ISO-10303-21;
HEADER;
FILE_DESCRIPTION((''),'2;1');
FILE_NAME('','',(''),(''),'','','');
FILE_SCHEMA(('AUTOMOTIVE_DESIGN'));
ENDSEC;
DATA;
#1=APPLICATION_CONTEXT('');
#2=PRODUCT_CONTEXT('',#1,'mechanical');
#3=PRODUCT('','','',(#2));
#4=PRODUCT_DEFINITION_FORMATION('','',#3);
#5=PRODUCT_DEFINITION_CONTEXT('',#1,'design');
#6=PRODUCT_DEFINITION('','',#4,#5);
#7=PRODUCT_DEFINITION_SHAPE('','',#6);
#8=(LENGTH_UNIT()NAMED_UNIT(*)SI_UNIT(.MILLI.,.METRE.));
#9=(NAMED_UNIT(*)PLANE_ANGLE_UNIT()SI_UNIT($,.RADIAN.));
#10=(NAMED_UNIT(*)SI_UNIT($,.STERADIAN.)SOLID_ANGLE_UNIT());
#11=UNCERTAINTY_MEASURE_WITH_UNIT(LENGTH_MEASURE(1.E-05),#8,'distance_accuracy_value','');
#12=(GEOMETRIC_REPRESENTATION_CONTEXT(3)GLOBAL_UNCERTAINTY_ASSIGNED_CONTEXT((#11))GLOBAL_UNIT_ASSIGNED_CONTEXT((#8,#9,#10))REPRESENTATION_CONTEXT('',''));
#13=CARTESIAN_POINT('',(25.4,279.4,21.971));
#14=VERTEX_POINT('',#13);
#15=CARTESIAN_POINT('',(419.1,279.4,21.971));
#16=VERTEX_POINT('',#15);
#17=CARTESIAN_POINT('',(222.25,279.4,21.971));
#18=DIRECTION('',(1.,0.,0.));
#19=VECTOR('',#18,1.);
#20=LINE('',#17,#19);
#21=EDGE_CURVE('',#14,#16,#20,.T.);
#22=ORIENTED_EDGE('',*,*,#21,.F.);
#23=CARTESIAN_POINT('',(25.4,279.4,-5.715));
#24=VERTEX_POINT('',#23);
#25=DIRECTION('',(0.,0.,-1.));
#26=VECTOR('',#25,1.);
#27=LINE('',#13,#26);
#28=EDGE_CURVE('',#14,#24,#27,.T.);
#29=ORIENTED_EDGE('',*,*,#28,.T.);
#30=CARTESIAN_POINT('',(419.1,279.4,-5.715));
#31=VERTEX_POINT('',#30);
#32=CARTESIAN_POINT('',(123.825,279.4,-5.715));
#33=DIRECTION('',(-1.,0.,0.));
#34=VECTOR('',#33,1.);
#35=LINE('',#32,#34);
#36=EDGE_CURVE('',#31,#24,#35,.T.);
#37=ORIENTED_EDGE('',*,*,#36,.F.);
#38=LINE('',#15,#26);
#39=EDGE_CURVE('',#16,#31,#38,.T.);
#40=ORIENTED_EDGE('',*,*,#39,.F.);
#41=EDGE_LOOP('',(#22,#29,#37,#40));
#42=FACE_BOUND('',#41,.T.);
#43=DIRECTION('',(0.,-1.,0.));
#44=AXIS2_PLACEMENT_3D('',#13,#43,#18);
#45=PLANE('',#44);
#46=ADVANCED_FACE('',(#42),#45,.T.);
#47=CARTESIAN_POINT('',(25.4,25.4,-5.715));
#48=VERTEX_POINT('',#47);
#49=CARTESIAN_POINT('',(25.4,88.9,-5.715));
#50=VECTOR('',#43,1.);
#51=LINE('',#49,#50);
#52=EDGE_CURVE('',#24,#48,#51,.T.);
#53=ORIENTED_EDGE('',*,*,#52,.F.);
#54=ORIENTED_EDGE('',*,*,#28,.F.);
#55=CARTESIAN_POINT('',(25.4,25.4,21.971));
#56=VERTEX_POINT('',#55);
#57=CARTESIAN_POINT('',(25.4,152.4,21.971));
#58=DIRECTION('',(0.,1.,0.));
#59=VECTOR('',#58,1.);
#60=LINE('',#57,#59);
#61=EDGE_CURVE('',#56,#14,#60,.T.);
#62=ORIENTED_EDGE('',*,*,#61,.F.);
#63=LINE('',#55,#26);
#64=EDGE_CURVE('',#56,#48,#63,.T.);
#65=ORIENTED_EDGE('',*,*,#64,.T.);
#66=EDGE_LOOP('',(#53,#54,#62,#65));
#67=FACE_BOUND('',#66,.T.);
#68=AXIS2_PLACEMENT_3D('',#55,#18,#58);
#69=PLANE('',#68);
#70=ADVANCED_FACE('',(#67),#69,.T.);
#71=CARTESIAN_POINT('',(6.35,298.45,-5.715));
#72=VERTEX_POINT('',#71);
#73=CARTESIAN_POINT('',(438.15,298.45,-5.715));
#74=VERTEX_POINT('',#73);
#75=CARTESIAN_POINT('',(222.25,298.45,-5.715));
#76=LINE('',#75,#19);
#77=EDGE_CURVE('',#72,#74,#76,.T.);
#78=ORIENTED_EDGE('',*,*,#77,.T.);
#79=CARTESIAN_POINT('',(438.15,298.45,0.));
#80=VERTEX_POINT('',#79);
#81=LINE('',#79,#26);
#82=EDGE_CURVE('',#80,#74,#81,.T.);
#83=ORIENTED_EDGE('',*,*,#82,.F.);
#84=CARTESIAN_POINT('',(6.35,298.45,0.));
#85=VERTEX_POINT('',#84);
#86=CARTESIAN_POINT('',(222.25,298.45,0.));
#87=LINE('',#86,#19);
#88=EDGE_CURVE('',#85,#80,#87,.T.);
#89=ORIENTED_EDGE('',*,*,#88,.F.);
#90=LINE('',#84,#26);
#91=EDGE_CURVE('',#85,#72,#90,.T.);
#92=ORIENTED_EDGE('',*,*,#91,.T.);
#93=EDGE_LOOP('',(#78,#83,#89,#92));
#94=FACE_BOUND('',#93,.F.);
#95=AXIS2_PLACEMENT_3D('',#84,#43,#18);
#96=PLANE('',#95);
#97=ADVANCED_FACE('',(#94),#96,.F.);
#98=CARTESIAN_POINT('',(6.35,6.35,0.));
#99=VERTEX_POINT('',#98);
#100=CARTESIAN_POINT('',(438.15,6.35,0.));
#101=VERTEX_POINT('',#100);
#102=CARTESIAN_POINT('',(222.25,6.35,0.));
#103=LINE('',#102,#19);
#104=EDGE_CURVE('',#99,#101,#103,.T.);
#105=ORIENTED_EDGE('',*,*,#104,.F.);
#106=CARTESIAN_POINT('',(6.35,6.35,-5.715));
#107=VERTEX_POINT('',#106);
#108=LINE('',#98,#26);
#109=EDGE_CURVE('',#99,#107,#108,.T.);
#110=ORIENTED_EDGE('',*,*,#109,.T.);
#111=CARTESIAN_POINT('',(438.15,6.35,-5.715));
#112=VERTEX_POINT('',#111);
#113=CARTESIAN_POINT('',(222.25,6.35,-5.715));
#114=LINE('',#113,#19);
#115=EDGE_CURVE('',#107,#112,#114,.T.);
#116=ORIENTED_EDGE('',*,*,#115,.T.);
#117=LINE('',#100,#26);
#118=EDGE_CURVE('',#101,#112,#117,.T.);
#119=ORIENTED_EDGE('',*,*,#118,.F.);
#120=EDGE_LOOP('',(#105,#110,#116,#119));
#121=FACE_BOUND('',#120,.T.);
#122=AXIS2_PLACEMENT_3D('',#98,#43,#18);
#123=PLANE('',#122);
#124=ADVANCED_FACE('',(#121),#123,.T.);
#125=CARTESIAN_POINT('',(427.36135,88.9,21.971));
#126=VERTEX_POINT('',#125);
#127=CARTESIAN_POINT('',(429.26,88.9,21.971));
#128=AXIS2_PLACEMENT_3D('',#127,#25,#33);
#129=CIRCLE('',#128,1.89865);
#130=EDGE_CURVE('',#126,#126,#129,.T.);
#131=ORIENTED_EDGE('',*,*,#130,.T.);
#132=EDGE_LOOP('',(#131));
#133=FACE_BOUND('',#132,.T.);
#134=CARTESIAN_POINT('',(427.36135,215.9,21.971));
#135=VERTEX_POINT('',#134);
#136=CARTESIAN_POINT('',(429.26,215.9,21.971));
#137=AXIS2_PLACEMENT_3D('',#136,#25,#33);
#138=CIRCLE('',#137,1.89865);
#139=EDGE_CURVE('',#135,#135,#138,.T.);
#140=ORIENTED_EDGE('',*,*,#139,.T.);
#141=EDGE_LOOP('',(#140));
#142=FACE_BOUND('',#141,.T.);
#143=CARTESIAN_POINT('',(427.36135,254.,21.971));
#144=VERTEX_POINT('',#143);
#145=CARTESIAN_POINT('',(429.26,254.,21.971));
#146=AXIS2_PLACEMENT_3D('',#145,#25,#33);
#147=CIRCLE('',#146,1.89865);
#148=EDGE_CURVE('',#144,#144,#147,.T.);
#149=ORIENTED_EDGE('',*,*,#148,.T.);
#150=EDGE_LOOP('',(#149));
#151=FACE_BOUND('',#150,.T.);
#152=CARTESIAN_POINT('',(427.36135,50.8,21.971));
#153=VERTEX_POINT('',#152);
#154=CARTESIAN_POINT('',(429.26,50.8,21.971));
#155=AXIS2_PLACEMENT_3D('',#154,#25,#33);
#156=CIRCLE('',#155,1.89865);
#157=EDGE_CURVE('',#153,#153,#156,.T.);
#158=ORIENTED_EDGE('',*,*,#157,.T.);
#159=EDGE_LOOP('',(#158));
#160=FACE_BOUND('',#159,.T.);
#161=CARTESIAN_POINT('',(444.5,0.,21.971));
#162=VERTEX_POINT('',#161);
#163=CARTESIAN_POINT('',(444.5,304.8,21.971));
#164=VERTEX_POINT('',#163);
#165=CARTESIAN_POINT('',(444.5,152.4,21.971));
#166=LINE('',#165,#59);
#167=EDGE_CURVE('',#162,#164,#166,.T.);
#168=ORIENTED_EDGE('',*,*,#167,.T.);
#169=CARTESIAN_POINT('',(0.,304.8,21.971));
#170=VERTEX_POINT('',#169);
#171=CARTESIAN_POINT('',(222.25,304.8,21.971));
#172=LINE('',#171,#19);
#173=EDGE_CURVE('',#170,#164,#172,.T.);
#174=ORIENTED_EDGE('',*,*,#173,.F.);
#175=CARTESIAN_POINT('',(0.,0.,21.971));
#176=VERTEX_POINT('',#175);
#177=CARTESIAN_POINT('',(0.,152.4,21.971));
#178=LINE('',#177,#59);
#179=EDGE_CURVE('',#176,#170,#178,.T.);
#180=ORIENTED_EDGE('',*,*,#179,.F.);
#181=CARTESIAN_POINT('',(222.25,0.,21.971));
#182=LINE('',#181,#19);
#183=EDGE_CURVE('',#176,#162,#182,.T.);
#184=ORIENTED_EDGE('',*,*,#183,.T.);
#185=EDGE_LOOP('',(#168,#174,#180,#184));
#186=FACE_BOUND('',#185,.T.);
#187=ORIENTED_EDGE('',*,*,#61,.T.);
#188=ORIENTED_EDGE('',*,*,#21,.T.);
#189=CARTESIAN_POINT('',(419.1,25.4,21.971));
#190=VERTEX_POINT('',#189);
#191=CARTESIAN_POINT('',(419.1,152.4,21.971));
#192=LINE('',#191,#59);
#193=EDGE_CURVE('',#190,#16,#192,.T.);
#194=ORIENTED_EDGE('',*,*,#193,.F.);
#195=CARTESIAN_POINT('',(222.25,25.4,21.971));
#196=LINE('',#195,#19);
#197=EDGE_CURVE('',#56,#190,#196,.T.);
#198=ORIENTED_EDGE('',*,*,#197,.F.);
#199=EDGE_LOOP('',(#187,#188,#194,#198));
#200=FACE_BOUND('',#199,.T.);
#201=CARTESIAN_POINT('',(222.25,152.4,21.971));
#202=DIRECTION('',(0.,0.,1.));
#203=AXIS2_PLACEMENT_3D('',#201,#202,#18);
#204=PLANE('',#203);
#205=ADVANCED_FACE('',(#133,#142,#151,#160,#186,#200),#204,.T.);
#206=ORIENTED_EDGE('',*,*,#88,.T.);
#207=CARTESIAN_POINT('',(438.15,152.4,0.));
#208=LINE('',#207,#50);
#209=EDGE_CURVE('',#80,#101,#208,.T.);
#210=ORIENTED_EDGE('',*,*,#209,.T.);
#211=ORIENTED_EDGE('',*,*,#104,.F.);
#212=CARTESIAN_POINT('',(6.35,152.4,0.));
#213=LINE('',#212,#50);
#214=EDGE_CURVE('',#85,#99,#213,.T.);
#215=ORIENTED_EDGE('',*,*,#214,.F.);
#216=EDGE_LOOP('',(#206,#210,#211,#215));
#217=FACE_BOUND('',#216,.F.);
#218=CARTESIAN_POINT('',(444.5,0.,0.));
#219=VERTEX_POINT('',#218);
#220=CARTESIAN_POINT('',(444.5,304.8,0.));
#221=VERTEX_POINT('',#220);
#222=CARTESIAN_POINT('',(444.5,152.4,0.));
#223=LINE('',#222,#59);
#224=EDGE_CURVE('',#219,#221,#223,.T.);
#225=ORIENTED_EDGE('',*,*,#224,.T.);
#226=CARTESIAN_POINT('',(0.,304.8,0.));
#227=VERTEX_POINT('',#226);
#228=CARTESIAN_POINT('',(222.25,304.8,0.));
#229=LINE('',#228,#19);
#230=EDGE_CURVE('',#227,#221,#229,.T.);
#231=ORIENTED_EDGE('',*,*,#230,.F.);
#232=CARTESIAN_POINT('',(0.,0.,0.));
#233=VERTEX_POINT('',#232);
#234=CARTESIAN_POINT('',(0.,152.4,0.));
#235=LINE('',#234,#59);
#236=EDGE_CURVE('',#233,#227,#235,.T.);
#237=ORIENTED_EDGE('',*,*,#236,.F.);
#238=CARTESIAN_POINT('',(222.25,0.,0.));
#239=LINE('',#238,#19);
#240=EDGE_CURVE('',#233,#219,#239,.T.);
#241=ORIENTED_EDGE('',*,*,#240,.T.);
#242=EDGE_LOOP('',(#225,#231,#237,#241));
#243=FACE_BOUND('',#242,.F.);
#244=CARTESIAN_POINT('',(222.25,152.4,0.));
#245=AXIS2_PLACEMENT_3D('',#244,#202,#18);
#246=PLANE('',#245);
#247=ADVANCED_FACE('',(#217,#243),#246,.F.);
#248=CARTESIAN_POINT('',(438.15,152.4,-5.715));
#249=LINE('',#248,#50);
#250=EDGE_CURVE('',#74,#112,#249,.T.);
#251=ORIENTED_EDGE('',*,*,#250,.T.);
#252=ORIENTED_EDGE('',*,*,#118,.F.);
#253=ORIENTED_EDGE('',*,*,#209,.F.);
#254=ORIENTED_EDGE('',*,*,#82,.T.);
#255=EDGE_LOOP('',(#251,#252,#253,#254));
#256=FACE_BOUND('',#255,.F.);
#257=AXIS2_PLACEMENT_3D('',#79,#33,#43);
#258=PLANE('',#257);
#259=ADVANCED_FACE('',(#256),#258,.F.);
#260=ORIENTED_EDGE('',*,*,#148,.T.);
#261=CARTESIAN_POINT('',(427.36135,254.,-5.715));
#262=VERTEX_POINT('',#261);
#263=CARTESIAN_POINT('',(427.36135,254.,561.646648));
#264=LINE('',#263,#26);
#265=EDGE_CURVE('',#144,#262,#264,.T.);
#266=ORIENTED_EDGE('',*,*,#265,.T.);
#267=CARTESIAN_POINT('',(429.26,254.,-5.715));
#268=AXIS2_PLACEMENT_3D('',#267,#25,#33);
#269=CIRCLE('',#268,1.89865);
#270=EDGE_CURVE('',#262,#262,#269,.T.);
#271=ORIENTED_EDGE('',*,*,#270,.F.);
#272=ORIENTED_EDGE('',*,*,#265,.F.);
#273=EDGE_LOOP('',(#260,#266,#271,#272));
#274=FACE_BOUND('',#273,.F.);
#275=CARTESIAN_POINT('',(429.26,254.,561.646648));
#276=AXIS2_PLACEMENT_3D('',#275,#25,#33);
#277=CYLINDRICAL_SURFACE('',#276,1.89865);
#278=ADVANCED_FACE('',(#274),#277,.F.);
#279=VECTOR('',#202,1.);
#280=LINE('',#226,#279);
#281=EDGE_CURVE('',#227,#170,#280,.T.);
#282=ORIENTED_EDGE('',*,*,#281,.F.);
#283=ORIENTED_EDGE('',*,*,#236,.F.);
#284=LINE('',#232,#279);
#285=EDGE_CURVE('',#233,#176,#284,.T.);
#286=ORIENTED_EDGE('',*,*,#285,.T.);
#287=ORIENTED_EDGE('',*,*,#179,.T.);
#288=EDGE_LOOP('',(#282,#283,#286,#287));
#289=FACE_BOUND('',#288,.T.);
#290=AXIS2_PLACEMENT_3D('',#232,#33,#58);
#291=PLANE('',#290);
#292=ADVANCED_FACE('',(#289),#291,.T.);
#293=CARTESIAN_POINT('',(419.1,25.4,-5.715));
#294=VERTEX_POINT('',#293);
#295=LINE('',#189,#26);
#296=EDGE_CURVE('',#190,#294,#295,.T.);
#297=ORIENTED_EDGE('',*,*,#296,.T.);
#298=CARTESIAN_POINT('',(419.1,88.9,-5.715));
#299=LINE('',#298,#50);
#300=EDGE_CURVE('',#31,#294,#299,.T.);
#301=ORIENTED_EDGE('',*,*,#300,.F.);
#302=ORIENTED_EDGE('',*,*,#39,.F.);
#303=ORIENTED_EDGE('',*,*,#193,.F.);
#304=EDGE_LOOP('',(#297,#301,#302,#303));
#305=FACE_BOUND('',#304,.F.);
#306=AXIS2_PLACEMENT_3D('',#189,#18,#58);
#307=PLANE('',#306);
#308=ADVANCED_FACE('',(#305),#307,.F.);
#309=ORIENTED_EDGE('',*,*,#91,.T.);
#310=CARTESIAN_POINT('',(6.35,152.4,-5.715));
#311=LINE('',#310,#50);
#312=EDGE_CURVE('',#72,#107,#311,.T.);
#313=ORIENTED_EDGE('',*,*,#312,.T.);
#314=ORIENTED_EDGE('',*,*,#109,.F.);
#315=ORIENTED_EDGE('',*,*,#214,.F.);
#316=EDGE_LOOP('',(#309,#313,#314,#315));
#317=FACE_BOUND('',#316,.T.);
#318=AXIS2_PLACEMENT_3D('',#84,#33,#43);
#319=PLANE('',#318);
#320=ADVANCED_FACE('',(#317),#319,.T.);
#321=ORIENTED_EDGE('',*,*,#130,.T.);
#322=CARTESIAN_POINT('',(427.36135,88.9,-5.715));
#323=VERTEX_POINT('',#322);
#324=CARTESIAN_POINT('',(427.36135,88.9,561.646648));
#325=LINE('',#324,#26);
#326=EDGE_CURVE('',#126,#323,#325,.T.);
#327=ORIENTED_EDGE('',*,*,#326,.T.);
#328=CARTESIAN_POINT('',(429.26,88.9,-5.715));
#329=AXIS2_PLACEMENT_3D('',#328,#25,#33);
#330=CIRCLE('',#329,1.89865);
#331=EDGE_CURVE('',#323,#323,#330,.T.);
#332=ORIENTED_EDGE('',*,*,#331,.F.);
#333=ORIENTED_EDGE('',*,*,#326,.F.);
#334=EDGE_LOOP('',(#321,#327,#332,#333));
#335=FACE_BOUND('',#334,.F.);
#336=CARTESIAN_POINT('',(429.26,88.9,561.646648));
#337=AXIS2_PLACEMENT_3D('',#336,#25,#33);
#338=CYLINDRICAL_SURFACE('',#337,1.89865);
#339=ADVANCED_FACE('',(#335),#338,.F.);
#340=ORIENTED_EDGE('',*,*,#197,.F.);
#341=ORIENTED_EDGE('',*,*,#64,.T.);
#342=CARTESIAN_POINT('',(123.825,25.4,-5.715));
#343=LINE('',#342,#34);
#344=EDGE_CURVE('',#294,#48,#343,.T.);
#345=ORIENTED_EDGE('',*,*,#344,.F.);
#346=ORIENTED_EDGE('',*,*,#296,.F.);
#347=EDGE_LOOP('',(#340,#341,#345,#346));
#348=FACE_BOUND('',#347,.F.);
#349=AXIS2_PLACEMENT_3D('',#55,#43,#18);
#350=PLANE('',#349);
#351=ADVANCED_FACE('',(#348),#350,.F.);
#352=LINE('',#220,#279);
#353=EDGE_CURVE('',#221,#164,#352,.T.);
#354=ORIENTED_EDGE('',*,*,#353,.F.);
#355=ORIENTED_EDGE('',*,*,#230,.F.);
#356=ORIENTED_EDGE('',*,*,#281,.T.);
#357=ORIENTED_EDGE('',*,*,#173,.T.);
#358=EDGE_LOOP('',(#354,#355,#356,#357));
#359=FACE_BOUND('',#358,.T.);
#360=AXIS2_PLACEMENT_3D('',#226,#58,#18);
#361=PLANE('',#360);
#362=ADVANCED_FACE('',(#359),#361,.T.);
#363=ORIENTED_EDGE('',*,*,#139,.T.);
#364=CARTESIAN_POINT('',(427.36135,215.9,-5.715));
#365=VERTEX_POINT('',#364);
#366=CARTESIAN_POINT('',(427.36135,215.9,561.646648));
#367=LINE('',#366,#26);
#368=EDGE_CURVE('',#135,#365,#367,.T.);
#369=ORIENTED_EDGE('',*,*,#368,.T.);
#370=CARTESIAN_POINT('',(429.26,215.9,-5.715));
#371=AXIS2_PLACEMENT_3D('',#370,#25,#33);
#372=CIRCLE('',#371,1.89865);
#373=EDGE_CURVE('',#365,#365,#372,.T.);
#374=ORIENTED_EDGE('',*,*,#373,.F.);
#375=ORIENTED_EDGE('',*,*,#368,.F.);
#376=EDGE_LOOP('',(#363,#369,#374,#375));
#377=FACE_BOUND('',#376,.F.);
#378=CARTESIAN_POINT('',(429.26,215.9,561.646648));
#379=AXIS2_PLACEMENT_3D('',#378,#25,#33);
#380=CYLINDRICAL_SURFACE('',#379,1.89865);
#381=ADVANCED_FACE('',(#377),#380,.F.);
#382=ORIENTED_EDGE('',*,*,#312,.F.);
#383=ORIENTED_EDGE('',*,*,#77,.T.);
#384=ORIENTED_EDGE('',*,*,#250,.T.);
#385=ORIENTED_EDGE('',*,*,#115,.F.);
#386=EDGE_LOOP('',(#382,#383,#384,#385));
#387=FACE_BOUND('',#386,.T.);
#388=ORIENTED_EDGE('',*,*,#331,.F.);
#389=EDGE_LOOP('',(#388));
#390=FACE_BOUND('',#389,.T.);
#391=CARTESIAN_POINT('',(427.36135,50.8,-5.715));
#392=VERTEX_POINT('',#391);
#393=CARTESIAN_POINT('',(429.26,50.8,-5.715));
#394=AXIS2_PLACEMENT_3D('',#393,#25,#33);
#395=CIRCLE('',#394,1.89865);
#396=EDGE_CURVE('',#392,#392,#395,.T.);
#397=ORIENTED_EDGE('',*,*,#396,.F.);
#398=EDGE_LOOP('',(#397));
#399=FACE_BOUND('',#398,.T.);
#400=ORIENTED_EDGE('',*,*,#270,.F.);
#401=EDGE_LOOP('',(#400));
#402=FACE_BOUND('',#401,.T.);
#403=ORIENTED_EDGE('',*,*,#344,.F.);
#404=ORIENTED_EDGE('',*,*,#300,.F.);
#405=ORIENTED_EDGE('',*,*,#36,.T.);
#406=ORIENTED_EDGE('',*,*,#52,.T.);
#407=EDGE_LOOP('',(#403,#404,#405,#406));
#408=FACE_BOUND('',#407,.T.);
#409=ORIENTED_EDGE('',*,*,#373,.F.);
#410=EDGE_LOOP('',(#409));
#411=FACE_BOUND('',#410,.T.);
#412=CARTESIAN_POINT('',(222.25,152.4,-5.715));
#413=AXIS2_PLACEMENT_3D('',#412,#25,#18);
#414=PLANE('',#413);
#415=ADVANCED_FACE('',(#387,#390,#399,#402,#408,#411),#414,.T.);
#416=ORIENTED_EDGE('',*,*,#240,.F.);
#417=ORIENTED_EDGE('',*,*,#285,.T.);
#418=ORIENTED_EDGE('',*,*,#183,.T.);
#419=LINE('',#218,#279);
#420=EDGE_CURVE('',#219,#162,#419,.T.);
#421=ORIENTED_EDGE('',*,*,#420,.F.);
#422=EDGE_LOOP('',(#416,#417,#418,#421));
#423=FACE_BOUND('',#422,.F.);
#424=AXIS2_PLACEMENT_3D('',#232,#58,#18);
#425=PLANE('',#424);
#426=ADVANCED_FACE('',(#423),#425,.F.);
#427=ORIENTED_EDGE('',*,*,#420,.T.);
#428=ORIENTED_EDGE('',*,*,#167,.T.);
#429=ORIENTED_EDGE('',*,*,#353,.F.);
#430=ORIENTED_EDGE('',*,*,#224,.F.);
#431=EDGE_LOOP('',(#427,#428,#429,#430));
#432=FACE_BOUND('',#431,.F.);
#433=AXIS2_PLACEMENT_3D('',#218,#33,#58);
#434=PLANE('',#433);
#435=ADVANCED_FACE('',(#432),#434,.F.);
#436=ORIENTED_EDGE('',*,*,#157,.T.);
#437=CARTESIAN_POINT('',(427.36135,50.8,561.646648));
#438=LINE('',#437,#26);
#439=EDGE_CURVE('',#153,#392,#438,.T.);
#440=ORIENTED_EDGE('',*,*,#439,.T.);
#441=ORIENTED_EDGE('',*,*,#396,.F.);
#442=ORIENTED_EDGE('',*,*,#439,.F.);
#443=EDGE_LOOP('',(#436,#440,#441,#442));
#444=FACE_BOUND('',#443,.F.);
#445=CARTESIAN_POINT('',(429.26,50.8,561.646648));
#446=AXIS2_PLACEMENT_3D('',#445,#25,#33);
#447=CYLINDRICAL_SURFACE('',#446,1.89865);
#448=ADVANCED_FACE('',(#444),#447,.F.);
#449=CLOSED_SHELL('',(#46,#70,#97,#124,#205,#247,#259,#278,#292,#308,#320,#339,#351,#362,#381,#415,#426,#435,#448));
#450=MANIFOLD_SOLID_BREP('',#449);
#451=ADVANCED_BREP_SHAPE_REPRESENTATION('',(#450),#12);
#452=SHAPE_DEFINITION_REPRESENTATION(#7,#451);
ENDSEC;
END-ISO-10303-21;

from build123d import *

# Parameters (mm, degrees)
F0_W     = 444.5
F0_H     = 304.8
F1_DEPTH = 21.971
F2_W     = 431.8
F2_H     = 292.1
F3_DEPTH = 5.715
F5_W     = 393.7
F5_H     = 254
F6_DEPTH = 27.687
F9_D     = 3.7973


with BuildPart() as f1:
    # F0 (on Top) → F1 (new body)
    with BuildSketch(Plane.XY):
        with Locations((222.25, 152.4)):
            Rectangle(F0_W, F0_H)
    extrude(amount=F1_DEPTH)

    # F2 (on face) → F3 (join)
    with BuildSketch(Plane(origin=(0, 0, 0), x_dir=(1, 0, 0), z_dir=(0, 0, -1))):
        with Locations((222.25, -152.4)):
            Rectangle(F2_W, F2_H)
    extrude(amount=F3_DEPTH)

    # F5 (on face) → F6 (cut, through all)
    with BuildSketch(Plane.XY.offset(21.971)):
        with Locations((222.25, 152.4)):
            Rectangle(F5_W, F5_H)
    extrude(amount=-F6_DEPTH, mode=Mode.SUBTRACT)

    # F9 (through all)
    with Locations(Plane.XY.offset(21.971)):
        with Locations((429.26, 254), (429.26, 215.9), (429.26, 88.9), (429.26, 50.8)):
            Hole(F9_D / 2)


solid = f1.part
